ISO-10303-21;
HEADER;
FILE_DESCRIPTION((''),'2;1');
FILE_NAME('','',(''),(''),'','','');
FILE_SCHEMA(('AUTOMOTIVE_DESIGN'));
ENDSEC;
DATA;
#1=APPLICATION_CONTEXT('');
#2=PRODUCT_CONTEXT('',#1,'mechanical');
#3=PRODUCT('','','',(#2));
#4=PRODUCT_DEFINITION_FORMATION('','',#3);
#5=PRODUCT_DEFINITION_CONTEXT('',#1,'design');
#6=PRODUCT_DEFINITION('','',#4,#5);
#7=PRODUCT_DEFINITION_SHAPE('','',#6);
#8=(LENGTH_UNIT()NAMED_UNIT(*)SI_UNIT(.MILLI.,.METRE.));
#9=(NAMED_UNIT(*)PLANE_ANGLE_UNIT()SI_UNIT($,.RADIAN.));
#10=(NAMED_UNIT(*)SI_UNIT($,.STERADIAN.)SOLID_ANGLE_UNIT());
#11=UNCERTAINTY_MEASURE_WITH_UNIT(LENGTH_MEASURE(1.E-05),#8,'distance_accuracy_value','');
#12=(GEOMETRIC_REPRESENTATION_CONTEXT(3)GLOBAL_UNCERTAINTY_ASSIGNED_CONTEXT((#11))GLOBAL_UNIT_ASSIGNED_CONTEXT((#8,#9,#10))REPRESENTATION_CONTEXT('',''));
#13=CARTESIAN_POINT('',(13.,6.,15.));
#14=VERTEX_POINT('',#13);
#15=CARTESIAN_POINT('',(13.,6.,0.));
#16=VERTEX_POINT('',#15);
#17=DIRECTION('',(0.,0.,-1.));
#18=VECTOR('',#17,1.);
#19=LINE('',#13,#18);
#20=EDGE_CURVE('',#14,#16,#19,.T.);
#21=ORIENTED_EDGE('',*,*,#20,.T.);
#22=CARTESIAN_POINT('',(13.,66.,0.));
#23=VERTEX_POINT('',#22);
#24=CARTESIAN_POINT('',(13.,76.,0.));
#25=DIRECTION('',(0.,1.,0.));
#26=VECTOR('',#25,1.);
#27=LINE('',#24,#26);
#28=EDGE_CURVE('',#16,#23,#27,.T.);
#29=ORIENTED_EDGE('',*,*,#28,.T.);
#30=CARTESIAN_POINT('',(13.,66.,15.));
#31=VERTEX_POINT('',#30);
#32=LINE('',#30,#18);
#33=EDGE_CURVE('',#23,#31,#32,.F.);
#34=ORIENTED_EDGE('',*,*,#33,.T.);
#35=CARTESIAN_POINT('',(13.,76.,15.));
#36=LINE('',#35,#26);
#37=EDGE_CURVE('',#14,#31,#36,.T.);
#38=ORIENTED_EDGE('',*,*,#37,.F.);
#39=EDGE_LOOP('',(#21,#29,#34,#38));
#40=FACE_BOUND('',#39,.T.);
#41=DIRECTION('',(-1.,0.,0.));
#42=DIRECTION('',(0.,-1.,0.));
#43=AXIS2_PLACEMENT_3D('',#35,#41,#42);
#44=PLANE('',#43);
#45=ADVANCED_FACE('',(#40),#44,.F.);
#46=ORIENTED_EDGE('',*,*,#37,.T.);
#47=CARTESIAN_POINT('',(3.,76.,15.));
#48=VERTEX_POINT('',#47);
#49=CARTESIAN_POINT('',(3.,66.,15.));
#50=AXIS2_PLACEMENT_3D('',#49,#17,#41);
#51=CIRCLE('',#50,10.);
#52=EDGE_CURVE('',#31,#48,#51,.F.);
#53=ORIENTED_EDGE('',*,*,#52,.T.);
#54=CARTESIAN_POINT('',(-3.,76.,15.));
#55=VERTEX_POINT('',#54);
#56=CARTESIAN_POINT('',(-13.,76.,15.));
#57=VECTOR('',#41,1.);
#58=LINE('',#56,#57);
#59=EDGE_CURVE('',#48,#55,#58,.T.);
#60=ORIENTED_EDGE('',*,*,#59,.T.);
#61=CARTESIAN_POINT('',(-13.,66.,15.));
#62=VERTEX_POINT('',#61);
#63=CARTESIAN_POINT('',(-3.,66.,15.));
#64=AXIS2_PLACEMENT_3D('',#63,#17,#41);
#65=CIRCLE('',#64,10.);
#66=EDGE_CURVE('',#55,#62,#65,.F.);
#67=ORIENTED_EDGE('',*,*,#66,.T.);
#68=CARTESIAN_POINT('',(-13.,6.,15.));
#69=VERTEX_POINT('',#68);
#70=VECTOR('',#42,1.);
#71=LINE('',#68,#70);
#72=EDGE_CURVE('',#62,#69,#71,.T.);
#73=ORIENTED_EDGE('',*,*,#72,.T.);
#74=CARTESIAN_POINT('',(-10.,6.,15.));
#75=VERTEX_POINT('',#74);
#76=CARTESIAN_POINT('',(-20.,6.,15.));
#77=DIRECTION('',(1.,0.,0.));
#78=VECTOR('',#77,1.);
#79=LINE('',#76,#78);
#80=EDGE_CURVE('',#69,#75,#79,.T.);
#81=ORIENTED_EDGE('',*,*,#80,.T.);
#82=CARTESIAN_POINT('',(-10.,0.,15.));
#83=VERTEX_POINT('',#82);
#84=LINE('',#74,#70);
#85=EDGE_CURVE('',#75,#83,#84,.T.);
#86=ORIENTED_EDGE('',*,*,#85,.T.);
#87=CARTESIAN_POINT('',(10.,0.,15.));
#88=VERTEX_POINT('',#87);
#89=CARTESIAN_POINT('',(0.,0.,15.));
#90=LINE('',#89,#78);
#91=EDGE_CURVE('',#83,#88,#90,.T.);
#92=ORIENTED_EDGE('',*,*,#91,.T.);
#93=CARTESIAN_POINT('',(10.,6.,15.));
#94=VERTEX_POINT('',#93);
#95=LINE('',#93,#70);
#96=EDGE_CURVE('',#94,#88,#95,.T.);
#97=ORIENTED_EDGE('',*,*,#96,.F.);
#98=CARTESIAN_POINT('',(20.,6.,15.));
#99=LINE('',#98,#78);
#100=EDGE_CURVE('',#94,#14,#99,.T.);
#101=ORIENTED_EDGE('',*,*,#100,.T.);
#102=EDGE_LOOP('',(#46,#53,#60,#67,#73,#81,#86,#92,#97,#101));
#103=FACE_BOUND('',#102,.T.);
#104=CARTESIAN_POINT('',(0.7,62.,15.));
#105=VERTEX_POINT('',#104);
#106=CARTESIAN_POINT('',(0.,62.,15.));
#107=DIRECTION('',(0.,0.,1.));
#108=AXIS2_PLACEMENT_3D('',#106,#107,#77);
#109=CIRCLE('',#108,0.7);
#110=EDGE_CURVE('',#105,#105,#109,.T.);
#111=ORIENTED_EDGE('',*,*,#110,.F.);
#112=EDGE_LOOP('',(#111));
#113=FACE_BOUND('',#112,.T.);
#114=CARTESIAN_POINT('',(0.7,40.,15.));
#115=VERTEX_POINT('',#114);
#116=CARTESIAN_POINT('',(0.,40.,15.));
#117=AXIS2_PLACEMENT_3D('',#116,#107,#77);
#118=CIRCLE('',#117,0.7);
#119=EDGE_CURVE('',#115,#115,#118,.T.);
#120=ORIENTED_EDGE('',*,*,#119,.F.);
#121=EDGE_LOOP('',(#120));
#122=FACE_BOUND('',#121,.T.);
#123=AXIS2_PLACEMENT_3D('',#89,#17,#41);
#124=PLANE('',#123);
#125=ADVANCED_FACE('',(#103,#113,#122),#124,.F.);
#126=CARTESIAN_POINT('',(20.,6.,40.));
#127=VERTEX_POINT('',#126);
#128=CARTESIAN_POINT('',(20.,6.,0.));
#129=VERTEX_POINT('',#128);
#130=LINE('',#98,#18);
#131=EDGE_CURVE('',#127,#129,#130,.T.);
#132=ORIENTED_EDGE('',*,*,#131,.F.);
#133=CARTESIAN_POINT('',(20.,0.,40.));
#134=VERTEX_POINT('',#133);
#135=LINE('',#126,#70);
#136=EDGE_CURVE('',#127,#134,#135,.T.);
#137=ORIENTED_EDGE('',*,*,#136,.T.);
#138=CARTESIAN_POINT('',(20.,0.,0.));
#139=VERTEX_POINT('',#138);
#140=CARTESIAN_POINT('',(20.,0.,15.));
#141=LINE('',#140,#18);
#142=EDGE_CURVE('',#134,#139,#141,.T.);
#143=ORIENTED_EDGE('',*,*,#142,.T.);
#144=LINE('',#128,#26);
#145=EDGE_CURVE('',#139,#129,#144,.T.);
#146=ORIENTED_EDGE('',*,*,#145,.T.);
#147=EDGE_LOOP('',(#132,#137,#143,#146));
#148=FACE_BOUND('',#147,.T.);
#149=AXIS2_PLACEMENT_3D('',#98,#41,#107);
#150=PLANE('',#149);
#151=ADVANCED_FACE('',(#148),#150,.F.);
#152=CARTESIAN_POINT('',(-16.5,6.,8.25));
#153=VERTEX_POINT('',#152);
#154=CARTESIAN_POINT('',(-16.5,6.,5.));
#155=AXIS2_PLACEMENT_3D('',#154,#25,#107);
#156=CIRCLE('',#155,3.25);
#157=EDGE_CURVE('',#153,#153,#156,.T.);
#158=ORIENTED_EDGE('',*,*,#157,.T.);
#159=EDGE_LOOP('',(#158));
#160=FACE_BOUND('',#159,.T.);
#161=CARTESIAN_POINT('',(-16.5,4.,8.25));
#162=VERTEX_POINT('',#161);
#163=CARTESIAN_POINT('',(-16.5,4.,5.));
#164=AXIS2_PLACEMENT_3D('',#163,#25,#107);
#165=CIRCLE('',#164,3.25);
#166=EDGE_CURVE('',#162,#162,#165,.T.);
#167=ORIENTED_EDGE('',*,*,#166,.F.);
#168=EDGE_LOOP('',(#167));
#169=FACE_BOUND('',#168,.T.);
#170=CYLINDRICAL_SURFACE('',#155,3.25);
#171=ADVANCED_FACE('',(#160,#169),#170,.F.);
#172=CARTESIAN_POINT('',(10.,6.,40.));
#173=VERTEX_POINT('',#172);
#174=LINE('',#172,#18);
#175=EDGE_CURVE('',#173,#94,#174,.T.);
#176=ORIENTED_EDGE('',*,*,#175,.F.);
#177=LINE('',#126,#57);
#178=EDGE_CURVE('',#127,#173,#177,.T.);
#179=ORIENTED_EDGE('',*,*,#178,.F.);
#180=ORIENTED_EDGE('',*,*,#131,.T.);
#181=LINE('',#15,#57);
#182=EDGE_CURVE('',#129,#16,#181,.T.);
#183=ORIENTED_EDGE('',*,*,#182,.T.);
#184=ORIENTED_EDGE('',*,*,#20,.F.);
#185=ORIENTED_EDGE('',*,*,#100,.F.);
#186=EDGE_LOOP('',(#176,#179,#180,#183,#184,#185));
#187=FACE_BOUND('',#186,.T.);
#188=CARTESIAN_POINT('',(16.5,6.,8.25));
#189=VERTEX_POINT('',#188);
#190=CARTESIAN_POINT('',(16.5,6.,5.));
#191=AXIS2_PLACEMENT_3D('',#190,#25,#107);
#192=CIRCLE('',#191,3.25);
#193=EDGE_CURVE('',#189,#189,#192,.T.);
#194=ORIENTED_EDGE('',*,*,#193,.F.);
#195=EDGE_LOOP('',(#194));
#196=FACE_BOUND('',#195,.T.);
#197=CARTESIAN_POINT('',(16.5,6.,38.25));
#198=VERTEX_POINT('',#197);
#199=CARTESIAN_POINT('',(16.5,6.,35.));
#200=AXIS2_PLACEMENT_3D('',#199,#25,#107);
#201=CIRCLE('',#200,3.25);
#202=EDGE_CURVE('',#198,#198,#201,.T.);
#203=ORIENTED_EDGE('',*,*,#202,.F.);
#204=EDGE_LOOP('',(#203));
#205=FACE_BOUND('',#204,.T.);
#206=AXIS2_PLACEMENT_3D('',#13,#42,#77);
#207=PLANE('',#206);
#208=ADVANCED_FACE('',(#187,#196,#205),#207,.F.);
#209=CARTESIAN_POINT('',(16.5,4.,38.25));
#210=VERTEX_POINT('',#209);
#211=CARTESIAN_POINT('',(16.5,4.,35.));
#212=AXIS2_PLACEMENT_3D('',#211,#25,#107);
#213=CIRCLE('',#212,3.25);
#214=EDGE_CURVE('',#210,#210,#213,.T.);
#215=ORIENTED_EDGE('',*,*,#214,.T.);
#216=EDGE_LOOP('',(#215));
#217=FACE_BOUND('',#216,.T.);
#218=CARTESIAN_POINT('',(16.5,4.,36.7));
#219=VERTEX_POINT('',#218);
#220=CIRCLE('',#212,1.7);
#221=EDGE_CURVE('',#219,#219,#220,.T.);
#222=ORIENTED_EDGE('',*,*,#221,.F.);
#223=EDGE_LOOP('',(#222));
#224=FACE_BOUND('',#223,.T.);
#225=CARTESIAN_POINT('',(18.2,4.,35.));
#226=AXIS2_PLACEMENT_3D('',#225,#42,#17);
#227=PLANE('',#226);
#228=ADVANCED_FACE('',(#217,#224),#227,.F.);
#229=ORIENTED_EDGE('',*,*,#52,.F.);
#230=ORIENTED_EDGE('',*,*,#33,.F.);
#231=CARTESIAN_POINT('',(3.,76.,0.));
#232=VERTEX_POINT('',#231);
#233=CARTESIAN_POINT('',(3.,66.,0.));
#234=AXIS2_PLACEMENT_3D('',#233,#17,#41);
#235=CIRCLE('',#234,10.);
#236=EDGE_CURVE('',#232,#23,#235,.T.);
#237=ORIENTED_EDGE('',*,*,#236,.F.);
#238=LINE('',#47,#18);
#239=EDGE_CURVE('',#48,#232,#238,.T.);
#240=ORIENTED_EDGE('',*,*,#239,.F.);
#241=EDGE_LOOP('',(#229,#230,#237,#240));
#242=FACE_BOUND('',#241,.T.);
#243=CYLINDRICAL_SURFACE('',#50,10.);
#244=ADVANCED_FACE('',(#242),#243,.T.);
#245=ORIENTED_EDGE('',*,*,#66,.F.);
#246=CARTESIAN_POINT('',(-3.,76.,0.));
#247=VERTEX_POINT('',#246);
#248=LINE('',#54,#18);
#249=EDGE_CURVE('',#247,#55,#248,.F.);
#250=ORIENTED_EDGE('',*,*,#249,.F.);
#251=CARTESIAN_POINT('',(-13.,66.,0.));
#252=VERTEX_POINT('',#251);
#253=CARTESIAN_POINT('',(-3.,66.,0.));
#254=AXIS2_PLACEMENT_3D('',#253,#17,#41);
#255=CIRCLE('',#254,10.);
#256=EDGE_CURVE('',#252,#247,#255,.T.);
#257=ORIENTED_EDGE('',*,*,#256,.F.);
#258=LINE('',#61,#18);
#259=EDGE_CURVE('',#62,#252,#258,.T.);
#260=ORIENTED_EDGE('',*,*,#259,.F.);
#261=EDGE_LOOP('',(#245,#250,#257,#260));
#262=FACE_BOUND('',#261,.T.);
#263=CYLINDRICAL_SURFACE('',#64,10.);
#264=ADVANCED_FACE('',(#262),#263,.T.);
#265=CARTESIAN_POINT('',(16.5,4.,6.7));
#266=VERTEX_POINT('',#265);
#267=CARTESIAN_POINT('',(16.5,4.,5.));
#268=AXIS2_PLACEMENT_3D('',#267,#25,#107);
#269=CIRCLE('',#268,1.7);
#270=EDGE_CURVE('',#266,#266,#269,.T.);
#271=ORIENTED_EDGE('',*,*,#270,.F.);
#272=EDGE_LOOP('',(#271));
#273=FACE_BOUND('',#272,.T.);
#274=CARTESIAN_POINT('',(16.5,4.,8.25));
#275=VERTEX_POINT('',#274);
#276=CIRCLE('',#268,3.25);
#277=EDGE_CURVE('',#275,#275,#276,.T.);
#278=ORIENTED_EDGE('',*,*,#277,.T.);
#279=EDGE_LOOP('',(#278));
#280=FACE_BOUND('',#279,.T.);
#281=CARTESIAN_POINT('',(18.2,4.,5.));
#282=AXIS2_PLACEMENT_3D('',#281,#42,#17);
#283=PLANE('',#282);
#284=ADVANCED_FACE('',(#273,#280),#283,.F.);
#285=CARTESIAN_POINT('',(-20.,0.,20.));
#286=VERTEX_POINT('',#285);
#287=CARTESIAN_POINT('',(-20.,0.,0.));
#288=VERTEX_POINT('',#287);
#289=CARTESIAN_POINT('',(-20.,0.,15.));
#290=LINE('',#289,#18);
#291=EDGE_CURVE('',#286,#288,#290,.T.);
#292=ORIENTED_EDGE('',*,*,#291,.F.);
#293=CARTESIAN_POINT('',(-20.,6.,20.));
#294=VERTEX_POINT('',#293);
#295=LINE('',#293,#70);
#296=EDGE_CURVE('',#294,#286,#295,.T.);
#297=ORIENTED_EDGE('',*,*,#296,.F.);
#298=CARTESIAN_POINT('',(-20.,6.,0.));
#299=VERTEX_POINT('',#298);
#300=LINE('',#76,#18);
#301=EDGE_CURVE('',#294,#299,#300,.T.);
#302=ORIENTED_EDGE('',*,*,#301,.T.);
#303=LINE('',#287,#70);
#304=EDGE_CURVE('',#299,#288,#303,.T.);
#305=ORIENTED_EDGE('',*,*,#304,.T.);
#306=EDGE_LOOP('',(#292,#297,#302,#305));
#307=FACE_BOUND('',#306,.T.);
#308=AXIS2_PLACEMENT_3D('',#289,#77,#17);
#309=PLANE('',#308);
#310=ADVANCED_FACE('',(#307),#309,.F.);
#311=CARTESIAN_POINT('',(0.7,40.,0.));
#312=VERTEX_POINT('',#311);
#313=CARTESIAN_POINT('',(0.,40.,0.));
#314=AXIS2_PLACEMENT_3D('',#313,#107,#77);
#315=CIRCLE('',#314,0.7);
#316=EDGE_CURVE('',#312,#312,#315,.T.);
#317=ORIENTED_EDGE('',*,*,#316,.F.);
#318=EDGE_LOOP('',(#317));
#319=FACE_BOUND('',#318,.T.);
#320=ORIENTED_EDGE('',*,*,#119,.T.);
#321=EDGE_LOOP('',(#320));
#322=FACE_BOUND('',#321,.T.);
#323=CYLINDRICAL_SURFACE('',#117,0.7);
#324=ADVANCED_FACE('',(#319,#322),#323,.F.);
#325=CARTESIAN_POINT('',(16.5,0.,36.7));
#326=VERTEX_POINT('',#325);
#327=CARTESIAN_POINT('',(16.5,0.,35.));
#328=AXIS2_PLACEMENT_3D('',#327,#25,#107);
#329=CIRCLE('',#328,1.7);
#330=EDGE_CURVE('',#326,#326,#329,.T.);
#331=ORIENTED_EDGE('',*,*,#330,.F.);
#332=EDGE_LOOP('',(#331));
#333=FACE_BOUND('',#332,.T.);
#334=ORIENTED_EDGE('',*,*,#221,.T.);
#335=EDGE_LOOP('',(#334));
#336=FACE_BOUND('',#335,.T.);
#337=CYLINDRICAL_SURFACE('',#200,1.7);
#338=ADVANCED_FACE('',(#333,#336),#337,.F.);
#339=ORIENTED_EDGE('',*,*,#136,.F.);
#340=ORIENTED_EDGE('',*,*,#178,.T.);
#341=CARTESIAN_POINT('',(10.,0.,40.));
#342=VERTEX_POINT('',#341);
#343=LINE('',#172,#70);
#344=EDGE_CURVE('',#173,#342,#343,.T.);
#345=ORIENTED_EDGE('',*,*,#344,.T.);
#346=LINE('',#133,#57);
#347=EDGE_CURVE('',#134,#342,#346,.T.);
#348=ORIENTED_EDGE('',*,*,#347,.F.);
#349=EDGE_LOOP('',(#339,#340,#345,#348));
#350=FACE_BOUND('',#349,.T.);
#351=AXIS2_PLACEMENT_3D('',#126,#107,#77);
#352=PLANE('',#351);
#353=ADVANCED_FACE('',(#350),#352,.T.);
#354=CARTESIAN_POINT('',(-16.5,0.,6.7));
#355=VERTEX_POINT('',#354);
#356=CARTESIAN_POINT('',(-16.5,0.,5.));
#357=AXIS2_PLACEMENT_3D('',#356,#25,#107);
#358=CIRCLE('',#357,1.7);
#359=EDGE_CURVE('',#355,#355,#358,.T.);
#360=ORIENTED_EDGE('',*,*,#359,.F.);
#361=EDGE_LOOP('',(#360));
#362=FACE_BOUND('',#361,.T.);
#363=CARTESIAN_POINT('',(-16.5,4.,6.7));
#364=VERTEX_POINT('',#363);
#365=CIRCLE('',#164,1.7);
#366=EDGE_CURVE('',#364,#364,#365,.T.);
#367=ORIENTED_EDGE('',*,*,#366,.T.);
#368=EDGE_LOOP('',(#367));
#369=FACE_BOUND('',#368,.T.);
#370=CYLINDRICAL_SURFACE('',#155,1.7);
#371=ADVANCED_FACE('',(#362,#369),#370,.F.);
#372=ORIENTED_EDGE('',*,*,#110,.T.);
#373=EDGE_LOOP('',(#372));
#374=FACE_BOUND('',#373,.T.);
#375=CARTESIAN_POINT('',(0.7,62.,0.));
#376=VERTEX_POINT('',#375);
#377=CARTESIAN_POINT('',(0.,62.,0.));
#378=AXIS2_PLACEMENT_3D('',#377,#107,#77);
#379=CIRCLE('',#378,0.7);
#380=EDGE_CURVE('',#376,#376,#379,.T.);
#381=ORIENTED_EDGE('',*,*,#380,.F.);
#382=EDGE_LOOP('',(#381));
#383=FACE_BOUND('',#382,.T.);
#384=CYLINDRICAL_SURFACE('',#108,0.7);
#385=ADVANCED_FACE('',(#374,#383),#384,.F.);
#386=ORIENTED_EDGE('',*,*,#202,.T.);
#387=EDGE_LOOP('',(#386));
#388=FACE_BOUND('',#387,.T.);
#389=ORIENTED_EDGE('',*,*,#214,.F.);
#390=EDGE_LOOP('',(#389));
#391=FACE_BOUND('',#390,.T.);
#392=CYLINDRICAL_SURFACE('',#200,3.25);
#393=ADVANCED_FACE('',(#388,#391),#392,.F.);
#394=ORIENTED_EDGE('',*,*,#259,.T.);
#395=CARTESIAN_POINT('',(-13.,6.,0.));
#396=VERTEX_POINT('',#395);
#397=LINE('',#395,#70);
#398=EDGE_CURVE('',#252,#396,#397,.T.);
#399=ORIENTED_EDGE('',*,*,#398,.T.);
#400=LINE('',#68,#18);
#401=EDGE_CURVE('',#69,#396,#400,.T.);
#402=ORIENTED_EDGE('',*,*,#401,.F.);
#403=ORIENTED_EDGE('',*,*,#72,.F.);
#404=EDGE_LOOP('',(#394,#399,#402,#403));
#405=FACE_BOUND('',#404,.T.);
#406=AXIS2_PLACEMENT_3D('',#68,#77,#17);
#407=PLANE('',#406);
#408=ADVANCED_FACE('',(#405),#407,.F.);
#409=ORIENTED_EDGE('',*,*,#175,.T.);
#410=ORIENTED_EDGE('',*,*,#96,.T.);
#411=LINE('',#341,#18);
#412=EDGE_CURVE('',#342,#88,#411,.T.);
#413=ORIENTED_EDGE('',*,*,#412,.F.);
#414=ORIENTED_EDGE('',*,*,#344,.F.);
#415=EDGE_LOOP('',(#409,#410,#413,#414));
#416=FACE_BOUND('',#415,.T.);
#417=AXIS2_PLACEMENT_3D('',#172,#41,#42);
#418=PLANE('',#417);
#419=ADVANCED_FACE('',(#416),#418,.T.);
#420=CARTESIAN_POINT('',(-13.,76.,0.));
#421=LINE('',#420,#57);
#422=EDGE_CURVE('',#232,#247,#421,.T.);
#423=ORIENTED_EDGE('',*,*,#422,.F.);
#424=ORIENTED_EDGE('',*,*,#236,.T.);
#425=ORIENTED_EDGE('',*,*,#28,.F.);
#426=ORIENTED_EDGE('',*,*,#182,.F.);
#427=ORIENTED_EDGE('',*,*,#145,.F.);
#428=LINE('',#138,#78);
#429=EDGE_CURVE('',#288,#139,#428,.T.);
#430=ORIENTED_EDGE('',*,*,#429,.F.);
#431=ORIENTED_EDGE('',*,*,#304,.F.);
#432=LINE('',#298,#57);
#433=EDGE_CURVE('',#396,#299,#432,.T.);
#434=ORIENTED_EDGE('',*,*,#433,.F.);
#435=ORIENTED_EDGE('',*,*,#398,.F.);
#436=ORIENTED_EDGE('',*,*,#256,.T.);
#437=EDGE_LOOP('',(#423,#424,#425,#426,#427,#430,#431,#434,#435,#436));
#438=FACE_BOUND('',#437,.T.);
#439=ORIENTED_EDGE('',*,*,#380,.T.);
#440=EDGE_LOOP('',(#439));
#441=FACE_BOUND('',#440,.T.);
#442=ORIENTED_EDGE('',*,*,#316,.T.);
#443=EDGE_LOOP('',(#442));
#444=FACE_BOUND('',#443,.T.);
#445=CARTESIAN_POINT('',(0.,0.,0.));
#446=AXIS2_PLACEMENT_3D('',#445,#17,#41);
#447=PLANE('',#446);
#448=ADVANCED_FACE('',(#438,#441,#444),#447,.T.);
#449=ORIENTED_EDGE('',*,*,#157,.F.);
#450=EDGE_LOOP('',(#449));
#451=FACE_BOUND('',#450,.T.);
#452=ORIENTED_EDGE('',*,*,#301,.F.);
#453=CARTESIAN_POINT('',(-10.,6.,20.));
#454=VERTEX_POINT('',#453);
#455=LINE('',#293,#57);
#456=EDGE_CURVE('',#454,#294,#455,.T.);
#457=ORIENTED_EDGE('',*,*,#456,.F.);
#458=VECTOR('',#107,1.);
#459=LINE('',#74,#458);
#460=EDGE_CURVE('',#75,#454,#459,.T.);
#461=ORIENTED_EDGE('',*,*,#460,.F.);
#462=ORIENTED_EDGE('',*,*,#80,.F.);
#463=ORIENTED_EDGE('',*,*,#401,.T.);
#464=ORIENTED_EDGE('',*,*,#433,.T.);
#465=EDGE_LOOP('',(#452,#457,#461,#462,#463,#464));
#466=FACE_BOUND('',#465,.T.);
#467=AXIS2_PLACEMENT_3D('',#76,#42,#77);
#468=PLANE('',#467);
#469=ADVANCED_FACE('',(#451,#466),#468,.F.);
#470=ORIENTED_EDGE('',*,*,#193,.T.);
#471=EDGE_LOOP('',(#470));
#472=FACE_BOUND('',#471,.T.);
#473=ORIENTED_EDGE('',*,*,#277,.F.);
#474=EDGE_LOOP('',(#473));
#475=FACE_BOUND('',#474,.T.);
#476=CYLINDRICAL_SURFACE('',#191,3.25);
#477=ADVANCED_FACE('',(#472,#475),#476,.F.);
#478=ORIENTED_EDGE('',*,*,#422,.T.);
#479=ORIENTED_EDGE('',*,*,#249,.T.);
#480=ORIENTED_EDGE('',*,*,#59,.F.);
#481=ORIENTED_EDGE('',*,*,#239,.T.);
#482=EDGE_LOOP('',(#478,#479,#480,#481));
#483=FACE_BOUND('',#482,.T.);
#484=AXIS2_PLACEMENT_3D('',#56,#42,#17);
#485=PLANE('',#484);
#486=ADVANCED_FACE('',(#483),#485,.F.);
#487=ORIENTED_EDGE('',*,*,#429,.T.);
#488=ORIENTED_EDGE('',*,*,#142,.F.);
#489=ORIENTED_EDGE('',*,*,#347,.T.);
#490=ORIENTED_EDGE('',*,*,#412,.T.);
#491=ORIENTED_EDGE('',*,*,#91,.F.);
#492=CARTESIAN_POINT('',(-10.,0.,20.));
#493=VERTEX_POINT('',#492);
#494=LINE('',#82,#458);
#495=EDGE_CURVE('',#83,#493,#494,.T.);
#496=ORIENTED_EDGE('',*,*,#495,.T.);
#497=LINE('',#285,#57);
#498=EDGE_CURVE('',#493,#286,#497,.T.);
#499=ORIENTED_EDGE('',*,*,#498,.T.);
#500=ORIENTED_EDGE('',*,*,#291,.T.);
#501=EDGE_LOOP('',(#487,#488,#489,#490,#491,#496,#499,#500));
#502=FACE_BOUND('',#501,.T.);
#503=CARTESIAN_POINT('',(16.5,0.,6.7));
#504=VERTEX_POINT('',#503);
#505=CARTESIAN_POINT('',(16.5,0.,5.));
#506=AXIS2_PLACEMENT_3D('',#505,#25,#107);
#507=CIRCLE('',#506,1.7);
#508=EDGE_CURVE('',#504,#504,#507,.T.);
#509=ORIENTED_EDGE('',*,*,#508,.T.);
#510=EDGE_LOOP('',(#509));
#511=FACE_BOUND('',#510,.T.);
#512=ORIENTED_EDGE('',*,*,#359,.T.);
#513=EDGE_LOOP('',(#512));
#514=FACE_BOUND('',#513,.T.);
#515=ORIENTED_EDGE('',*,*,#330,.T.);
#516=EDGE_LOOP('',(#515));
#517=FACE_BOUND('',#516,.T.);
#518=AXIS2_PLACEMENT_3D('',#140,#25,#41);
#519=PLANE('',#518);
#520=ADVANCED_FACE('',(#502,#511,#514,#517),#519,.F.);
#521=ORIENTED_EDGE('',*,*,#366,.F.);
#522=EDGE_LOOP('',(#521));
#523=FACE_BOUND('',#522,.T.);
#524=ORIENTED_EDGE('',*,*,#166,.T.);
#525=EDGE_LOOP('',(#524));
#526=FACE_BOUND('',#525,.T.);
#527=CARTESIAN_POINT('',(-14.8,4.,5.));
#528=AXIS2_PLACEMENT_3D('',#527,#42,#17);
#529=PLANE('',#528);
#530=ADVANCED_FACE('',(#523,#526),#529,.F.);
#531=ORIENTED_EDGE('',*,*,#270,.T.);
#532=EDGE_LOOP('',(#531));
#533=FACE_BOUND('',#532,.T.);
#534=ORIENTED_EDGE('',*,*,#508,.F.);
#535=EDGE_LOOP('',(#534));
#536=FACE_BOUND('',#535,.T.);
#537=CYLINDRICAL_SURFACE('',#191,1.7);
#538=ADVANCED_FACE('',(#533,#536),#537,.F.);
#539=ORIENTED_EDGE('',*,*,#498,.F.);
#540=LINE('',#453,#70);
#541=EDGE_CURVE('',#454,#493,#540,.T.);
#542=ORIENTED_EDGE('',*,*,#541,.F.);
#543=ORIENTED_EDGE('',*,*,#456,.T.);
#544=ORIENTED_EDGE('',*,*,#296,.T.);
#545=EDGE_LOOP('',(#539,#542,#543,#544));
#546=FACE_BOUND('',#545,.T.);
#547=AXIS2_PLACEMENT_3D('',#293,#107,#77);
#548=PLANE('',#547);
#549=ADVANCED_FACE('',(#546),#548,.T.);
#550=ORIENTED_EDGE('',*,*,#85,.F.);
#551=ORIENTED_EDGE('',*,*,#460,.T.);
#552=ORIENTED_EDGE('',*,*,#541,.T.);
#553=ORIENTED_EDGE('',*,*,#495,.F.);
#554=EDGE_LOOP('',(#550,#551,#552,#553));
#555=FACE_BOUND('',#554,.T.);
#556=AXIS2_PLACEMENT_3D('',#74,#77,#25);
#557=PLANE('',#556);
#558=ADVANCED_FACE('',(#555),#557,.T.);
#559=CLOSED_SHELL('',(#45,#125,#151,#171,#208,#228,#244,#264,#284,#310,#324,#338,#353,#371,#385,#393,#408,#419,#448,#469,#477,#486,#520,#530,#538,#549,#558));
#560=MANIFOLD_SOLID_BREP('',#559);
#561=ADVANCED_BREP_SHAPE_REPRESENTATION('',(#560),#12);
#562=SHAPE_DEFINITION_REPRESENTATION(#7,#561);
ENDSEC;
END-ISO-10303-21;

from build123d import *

# Parameters (mm, degrees)
BOSS_EXTRU_1_DEPTH                                   = 15
ESQUISSE2_W                                          = 10
ESQUISSE2_H                                          = 25
ESQUISSE2_H_2                                        = 5
BOSS_EXTRU_2_DEPTH                                   = 6
D_GAGEMENT_M1_21_D                                   = 1.4
CHAMBRAGE_POUR_T_TE_CYLINDRIQUE_FENDUE_M_D           = 3.4
CHAMBRAGE_POUR_T_TE_CYLINDRIQUE_FENDUE_M_CBORE_D     = 6.5
CHAMBRAGE_POUR_T_TE_CYLINDRIQUE_FENDUE_M_CBORE_DEPTH = 2
CONG_1_R                                             = 10


with BuildPart() as part:
    # Esquisse1 → Boss.-Extru.1 (new body)
    with BuildSketch(Plane.XY):
        Polygon((0, 0), (-20, 0), (-20, 6), (-13, 6), (-13, 76), (13, 76), (13, 6), (20, 6), (20, 0), align=None)
    extrude(amount=BOSS_EXTRU_1_DEPTH)

    # Esquisse2 → Boss.-Extru.2 (add)
    with BuildSketch(Plane.XZ):
        with Locations((15, 27.5)):
            Rectangle(ESQUISSE2_W, ESQUISSE2_H)
        with Locations((-15, 17.5)):
            Rectangle(ESQUISSE2_W, ESQUISSE2_H_2)
    extrude(amount=-BOSS_EXTRU_2_DEPTH)

    # Dégagement M1.21 (through all)
    with Locations(Plane.XY.offset(15)):
        with Locations((0, 62), (0, 40)):
            Hole(D_GAGEMENT_M1_21_D / 2)

    # Chambrage pour tête cylindrique fendue M31 (through all)
    with Locations(Plane(origin=(0, 6, 0), x_dir=(1, 0, 0), z_dir=(0, 1, 0))):
        with Locations((-16.5, -5), (16.5, -5), (16.5, -35)):
            CounterBoreHole(CHAMBRAGE_POUR_T_TE_CYLINDRIQUE_FENDUE_M_D / 2, CHAMBRAGE_POUR_T_TE_CYLINDRIQUE_FENDUE_M_CBORE_D / 2, CHAMBRAGE_POUR_T_TE_CYLINDRIQUE_FENDUE_M_CBORE_DEPTH)

    # Congé1
    cong_1_edges = [part.edges().sort_by_distance(p)[0] for p in [
        (-13, 76, 7.5),
        (13, 76, 7.5),
    ]]
    fillet(cong_1_edges, radius=CONG_1_R)


solid = part.part
